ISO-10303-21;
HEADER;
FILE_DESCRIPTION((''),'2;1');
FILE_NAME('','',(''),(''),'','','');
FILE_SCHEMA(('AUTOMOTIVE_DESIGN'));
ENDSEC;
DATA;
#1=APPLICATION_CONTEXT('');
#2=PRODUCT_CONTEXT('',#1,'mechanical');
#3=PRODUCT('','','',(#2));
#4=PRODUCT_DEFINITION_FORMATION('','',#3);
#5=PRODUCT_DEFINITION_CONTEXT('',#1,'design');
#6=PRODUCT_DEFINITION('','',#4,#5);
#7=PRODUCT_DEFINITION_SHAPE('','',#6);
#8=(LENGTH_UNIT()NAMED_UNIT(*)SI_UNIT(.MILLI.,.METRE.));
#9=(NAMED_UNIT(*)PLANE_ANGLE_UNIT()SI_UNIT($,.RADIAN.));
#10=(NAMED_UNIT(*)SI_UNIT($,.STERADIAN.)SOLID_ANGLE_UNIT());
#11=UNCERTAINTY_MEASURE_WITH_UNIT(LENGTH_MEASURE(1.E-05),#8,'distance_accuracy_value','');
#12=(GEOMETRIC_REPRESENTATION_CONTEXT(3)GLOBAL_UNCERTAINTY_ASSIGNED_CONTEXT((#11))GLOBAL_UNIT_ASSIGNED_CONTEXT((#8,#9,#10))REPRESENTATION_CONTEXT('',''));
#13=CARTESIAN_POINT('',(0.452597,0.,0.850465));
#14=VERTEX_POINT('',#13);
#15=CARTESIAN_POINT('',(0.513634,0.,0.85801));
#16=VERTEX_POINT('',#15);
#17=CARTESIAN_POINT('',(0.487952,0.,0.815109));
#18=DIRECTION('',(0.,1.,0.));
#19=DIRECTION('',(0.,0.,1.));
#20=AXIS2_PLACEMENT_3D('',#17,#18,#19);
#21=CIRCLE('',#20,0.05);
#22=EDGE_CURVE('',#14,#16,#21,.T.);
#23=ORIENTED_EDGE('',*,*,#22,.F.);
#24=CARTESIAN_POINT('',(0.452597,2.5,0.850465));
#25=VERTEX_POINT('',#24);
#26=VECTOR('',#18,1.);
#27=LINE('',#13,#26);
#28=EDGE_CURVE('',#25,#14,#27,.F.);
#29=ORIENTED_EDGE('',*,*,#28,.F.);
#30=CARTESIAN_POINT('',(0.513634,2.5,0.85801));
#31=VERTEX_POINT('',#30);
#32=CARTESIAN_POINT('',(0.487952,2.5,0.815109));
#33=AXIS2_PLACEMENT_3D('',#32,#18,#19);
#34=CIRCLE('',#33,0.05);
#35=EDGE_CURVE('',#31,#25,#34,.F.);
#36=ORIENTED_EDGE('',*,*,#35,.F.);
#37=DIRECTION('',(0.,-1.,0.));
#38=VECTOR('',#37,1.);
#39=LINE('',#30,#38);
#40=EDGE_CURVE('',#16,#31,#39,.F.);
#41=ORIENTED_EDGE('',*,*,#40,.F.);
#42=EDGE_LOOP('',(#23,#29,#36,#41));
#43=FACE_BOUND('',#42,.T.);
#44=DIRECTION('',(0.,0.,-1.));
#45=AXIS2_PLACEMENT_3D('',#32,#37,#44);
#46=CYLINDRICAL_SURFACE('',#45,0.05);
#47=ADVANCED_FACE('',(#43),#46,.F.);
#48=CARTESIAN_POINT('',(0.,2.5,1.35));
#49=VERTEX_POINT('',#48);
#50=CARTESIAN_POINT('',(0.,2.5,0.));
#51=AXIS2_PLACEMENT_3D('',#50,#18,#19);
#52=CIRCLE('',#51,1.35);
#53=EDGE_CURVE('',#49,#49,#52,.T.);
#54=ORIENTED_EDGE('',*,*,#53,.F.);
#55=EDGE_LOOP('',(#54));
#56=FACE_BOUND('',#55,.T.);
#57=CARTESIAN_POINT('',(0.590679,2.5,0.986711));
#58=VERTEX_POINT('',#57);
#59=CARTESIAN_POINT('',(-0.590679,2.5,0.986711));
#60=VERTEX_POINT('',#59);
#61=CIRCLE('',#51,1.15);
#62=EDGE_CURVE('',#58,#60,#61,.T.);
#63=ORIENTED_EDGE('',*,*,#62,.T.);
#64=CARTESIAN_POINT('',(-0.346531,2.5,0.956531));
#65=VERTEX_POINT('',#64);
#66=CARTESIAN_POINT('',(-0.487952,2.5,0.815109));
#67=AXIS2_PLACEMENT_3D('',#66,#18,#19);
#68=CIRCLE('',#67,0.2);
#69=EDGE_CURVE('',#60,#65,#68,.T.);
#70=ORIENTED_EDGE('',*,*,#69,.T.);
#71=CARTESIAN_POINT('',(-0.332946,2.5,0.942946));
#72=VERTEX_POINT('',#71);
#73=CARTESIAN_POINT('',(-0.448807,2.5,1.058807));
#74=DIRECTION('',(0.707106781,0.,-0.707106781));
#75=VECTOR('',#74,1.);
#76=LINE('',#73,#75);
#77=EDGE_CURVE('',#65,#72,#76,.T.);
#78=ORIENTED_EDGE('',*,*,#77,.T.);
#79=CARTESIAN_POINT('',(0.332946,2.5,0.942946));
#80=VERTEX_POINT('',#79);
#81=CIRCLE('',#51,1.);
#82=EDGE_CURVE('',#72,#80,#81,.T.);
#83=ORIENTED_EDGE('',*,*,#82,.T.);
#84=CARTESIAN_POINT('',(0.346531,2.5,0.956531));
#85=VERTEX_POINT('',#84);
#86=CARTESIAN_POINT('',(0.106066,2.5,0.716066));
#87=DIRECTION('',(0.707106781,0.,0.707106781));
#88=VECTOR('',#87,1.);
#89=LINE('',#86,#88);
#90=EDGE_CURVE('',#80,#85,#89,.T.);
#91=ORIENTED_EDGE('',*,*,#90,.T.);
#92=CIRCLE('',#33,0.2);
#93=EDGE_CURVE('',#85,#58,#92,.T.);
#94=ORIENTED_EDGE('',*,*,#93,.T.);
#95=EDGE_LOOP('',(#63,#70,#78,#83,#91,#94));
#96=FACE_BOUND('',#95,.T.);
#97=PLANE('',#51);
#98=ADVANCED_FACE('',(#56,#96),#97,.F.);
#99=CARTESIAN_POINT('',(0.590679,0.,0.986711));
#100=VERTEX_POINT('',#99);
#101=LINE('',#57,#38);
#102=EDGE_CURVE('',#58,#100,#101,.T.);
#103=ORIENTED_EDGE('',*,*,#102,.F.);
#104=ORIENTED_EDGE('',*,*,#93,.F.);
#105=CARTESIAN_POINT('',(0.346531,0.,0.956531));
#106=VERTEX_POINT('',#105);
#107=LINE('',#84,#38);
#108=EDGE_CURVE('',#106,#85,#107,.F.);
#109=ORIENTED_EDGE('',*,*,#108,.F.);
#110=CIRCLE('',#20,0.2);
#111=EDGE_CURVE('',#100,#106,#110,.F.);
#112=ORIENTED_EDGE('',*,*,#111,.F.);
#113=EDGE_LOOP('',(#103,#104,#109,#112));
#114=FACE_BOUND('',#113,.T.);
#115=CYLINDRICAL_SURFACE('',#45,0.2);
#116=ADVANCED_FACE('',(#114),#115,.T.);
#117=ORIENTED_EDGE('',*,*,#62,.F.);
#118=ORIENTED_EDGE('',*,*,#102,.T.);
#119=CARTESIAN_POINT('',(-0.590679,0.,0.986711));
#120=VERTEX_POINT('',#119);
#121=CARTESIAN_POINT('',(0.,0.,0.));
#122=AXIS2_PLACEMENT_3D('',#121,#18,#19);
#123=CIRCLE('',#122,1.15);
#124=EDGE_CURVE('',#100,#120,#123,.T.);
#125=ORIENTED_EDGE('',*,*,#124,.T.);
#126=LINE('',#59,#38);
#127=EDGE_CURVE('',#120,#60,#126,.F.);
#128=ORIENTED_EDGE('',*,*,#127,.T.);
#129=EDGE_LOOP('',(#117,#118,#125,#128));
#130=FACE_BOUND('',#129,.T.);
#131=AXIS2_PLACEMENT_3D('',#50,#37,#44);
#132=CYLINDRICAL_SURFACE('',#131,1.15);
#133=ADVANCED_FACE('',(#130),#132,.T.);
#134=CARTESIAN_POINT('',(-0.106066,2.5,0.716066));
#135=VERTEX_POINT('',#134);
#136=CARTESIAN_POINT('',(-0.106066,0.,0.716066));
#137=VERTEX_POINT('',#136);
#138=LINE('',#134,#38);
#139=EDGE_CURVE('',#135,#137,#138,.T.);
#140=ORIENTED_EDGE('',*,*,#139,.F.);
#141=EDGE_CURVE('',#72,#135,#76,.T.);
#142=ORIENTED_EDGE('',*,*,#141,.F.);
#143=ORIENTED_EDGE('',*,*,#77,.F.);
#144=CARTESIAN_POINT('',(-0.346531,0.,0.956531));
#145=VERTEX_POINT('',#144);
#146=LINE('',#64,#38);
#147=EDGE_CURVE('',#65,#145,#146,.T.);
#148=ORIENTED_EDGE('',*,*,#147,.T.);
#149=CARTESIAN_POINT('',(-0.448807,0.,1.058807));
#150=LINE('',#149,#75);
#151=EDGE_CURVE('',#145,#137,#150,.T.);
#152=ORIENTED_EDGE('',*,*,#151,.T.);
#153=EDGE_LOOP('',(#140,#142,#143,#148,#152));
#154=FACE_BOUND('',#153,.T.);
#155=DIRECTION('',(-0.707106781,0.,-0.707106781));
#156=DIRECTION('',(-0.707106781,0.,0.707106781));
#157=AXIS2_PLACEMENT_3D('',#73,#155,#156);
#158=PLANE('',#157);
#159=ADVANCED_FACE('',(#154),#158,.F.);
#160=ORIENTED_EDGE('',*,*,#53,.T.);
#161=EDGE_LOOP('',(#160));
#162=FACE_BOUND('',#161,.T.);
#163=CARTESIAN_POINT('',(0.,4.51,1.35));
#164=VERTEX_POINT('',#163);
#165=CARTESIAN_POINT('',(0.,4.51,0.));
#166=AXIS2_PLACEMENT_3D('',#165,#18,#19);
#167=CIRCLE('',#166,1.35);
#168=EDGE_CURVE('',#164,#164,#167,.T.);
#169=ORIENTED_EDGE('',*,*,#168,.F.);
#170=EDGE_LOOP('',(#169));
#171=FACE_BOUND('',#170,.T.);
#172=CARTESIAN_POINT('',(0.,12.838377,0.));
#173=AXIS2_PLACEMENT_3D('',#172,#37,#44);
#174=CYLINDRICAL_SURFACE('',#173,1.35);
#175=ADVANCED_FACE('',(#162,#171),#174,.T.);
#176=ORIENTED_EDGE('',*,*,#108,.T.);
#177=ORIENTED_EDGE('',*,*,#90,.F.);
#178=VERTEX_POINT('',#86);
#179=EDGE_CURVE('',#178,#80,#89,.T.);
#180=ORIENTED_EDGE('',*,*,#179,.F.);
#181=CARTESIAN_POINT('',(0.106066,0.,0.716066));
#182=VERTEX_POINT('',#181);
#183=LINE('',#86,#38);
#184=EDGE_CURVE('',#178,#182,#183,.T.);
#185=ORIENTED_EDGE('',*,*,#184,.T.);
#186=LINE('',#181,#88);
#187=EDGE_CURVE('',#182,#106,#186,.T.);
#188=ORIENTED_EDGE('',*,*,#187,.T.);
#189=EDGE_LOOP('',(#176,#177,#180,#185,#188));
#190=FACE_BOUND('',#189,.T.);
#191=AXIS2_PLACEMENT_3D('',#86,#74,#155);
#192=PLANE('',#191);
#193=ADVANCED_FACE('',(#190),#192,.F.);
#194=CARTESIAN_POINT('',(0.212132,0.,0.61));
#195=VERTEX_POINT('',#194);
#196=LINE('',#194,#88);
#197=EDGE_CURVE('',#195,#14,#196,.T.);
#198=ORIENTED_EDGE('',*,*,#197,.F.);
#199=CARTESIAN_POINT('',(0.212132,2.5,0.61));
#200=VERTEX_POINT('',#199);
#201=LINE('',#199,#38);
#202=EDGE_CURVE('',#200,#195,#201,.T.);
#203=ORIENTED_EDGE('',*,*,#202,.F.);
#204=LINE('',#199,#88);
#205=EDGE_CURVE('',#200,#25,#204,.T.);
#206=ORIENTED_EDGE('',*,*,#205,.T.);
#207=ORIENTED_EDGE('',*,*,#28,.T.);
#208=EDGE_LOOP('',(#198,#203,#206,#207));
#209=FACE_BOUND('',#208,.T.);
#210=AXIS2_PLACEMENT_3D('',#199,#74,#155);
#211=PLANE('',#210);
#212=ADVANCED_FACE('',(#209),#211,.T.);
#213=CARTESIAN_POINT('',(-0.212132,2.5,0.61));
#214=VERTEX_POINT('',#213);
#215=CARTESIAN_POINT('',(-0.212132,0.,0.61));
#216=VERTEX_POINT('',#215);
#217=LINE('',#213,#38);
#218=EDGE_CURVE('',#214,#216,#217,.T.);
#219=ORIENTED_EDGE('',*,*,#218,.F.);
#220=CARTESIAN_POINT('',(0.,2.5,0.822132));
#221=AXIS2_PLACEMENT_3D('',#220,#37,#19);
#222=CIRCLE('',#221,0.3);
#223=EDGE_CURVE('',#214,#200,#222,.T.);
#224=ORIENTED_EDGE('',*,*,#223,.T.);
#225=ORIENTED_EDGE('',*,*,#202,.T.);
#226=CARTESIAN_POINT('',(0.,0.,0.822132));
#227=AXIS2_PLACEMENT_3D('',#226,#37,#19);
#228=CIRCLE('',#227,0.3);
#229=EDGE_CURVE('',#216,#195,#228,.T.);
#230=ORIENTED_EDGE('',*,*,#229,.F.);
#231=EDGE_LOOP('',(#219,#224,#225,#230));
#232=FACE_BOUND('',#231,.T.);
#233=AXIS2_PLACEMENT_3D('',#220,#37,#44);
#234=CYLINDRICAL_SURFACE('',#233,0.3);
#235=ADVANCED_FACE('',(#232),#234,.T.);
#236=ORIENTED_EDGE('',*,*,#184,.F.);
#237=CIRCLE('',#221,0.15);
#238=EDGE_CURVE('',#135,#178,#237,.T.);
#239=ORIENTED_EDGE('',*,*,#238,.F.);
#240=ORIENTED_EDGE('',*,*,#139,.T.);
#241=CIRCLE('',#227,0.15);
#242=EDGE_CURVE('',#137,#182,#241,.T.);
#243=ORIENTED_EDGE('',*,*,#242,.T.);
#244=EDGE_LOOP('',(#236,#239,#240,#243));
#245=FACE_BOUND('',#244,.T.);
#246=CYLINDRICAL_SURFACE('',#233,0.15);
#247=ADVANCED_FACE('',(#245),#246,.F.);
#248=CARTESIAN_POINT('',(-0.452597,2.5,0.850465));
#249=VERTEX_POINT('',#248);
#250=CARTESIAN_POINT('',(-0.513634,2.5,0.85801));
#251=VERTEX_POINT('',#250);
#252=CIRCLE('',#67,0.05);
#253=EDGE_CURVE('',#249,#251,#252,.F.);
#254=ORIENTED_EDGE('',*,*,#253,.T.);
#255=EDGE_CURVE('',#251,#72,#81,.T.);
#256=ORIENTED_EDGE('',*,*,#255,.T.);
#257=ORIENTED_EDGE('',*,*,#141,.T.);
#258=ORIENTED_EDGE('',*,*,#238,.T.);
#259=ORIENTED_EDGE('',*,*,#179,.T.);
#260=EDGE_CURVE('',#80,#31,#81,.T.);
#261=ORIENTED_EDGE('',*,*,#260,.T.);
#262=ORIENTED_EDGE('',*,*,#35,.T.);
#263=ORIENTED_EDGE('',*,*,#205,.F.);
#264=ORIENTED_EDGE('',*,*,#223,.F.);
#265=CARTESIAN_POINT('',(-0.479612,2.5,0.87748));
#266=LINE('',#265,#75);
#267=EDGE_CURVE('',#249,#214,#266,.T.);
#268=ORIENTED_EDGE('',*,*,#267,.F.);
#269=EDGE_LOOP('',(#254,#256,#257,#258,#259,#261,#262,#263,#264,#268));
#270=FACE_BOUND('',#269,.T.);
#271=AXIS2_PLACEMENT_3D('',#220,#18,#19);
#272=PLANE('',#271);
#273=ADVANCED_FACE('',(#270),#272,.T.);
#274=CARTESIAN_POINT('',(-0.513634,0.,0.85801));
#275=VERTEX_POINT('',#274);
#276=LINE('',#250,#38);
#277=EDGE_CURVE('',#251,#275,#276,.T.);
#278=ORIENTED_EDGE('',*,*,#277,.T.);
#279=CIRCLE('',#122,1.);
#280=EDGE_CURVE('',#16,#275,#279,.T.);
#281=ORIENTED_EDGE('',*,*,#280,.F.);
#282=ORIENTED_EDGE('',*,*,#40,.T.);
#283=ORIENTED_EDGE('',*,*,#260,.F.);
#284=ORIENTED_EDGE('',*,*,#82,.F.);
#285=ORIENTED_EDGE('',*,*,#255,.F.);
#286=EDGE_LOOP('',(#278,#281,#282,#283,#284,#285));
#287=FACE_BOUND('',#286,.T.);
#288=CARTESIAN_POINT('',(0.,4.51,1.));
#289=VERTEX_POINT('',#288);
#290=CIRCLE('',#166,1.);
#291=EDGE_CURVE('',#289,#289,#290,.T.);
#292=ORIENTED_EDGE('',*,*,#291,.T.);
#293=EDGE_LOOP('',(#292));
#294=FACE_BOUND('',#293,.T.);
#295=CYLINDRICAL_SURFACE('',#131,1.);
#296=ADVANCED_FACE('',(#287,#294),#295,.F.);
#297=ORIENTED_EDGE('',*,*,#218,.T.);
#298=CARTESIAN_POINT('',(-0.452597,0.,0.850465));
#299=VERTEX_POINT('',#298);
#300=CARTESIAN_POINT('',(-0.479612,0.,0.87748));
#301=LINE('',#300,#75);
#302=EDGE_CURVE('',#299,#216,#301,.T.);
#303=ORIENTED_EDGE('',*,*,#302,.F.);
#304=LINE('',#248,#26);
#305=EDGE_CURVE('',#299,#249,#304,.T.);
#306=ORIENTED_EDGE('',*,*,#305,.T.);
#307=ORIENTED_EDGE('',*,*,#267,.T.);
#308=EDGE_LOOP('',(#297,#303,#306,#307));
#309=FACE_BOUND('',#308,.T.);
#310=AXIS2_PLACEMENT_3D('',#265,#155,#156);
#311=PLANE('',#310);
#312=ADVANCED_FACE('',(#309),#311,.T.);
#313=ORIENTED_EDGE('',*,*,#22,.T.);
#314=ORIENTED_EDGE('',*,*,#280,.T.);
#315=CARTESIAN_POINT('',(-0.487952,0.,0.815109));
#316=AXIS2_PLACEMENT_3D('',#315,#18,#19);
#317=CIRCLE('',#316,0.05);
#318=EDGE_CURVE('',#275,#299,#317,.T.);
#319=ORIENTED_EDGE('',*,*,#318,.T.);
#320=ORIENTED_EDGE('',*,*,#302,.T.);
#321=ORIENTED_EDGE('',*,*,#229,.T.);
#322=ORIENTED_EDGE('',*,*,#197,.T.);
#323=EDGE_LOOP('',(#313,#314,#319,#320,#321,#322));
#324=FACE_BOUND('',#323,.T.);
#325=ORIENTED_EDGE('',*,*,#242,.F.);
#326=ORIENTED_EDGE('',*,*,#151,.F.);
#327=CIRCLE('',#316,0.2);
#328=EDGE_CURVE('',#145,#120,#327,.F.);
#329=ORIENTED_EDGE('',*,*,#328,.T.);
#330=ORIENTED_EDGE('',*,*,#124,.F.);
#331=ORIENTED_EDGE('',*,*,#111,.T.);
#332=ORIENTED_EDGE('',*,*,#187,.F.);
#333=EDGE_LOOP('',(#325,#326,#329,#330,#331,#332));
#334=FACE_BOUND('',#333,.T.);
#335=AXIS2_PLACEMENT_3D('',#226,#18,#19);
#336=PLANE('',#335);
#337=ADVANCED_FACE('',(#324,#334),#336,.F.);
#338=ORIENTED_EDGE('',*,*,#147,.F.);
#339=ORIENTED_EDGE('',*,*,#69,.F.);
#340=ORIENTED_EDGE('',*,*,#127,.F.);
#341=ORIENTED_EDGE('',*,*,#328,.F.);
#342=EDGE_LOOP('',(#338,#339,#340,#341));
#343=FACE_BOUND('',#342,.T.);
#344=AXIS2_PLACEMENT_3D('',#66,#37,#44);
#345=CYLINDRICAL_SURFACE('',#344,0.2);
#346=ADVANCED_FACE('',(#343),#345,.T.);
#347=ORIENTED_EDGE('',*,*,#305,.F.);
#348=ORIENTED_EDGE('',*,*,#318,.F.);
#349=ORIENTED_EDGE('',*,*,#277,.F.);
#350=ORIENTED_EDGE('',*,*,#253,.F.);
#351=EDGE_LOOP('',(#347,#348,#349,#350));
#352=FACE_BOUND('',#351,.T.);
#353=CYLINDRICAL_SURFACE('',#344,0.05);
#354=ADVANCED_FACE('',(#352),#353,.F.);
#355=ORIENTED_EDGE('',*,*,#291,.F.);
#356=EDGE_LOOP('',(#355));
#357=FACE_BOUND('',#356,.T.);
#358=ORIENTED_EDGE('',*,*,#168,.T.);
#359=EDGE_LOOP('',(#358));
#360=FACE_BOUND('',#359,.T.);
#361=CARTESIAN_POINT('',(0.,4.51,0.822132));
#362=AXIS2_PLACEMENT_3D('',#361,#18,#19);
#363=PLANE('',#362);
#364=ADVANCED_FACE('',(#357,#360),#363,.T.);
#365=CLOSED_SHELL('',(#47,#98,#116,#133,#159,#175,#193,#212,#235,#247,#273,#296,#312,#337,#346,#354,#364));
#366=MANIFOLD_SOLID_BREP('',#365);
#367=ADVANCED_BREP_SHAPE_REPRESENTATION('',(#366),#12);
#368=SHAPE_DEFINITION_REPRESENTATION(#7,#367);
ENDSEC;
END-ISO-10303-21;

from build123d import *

# Parameters (mm, degrees)
BOSS_EXTRUDE1_DEPTH = 2.5
FILLET1_R           = 0.05
FILLET2_R           = 0.2
SKETCH2_R           = 1.35
SKETCH2_R_2         = 1
BOSS_EXTRUDE2_DEPTH = 2.01


with BuildPart() as part:
    # Sketch1 → Boss-Extrude1 (new body)
    with BuildSketch(Plane(origin=(0, 0, 0), x_dir=(1, 0, 0), z_dir=(0, 1, 0))):
        with BuildLine():
            Line((-0.448807004, -1.058807004), (-0.106066017, -0.716066017))
            ThreePointArc((-0.106066017, -0.716066017), (0, -0.672132034), (0.106066017, -0.716066017))
            Line((0.106066017, -0.716066017), (0.448807004, -1.058807004))
            ThreePointArc((0.448807004, -1.058807004), (0, 1.15), (-0.448807004, -1.058807004))
        make_face()
        with BuildLine():
            Line((-0.479612457, -0.877480422), (-0.212132034, -0.61))
            ThreePointArc((-0.212132034, -0.61), (0, -0.522132034), (0.212132034, -0.61))
            Line((0.212132034, -0.61), (0.479612457, -0.877480422))
            ThreePointArc((0.479612457, -0.877480422), (0, 1), (-0.479612457, -0.877480422))
        make_face(mode=Mode.SUBTRACT)
    extrude(amount=BOSS_EXTRUDE1_DEPTH)

    # Fillet1
    fillet1_edges = [part.edges().sort_by_distance(p)[0] for p in [
        (0.479612457, 1.25, 0.877480422),
        (-0.479612457, 1.25, 0.877480422),
    ]]
    fillet(fillet1_edges, radius=FILLET1_R)

    # Fillet2
    fillet2_edges = [part.edges().sort_by_distance(p)[0] for p in [
        (-0.448807004, 1.25, 1.058807004),
        (0.448807004, 1.25, 1.058807004),
    ]]
    fillet(fillet2_edges, radius=FILLET2_R)

    # Sketch2 → Boss-Extrude2 (add)
    with BuildSketch(Plane(origin=(0, 2.5, 0), x_dir=(1, 0, 0), z_dir=(0, 1, 0))):
        Circle(SKETCH2_R)
        Circle(SKETCH2_R_2, mode=Mode.SUBTRACT)
    extrude(amount=BOSS_EXTRUDE2_DEPTH)


solid = part.part
